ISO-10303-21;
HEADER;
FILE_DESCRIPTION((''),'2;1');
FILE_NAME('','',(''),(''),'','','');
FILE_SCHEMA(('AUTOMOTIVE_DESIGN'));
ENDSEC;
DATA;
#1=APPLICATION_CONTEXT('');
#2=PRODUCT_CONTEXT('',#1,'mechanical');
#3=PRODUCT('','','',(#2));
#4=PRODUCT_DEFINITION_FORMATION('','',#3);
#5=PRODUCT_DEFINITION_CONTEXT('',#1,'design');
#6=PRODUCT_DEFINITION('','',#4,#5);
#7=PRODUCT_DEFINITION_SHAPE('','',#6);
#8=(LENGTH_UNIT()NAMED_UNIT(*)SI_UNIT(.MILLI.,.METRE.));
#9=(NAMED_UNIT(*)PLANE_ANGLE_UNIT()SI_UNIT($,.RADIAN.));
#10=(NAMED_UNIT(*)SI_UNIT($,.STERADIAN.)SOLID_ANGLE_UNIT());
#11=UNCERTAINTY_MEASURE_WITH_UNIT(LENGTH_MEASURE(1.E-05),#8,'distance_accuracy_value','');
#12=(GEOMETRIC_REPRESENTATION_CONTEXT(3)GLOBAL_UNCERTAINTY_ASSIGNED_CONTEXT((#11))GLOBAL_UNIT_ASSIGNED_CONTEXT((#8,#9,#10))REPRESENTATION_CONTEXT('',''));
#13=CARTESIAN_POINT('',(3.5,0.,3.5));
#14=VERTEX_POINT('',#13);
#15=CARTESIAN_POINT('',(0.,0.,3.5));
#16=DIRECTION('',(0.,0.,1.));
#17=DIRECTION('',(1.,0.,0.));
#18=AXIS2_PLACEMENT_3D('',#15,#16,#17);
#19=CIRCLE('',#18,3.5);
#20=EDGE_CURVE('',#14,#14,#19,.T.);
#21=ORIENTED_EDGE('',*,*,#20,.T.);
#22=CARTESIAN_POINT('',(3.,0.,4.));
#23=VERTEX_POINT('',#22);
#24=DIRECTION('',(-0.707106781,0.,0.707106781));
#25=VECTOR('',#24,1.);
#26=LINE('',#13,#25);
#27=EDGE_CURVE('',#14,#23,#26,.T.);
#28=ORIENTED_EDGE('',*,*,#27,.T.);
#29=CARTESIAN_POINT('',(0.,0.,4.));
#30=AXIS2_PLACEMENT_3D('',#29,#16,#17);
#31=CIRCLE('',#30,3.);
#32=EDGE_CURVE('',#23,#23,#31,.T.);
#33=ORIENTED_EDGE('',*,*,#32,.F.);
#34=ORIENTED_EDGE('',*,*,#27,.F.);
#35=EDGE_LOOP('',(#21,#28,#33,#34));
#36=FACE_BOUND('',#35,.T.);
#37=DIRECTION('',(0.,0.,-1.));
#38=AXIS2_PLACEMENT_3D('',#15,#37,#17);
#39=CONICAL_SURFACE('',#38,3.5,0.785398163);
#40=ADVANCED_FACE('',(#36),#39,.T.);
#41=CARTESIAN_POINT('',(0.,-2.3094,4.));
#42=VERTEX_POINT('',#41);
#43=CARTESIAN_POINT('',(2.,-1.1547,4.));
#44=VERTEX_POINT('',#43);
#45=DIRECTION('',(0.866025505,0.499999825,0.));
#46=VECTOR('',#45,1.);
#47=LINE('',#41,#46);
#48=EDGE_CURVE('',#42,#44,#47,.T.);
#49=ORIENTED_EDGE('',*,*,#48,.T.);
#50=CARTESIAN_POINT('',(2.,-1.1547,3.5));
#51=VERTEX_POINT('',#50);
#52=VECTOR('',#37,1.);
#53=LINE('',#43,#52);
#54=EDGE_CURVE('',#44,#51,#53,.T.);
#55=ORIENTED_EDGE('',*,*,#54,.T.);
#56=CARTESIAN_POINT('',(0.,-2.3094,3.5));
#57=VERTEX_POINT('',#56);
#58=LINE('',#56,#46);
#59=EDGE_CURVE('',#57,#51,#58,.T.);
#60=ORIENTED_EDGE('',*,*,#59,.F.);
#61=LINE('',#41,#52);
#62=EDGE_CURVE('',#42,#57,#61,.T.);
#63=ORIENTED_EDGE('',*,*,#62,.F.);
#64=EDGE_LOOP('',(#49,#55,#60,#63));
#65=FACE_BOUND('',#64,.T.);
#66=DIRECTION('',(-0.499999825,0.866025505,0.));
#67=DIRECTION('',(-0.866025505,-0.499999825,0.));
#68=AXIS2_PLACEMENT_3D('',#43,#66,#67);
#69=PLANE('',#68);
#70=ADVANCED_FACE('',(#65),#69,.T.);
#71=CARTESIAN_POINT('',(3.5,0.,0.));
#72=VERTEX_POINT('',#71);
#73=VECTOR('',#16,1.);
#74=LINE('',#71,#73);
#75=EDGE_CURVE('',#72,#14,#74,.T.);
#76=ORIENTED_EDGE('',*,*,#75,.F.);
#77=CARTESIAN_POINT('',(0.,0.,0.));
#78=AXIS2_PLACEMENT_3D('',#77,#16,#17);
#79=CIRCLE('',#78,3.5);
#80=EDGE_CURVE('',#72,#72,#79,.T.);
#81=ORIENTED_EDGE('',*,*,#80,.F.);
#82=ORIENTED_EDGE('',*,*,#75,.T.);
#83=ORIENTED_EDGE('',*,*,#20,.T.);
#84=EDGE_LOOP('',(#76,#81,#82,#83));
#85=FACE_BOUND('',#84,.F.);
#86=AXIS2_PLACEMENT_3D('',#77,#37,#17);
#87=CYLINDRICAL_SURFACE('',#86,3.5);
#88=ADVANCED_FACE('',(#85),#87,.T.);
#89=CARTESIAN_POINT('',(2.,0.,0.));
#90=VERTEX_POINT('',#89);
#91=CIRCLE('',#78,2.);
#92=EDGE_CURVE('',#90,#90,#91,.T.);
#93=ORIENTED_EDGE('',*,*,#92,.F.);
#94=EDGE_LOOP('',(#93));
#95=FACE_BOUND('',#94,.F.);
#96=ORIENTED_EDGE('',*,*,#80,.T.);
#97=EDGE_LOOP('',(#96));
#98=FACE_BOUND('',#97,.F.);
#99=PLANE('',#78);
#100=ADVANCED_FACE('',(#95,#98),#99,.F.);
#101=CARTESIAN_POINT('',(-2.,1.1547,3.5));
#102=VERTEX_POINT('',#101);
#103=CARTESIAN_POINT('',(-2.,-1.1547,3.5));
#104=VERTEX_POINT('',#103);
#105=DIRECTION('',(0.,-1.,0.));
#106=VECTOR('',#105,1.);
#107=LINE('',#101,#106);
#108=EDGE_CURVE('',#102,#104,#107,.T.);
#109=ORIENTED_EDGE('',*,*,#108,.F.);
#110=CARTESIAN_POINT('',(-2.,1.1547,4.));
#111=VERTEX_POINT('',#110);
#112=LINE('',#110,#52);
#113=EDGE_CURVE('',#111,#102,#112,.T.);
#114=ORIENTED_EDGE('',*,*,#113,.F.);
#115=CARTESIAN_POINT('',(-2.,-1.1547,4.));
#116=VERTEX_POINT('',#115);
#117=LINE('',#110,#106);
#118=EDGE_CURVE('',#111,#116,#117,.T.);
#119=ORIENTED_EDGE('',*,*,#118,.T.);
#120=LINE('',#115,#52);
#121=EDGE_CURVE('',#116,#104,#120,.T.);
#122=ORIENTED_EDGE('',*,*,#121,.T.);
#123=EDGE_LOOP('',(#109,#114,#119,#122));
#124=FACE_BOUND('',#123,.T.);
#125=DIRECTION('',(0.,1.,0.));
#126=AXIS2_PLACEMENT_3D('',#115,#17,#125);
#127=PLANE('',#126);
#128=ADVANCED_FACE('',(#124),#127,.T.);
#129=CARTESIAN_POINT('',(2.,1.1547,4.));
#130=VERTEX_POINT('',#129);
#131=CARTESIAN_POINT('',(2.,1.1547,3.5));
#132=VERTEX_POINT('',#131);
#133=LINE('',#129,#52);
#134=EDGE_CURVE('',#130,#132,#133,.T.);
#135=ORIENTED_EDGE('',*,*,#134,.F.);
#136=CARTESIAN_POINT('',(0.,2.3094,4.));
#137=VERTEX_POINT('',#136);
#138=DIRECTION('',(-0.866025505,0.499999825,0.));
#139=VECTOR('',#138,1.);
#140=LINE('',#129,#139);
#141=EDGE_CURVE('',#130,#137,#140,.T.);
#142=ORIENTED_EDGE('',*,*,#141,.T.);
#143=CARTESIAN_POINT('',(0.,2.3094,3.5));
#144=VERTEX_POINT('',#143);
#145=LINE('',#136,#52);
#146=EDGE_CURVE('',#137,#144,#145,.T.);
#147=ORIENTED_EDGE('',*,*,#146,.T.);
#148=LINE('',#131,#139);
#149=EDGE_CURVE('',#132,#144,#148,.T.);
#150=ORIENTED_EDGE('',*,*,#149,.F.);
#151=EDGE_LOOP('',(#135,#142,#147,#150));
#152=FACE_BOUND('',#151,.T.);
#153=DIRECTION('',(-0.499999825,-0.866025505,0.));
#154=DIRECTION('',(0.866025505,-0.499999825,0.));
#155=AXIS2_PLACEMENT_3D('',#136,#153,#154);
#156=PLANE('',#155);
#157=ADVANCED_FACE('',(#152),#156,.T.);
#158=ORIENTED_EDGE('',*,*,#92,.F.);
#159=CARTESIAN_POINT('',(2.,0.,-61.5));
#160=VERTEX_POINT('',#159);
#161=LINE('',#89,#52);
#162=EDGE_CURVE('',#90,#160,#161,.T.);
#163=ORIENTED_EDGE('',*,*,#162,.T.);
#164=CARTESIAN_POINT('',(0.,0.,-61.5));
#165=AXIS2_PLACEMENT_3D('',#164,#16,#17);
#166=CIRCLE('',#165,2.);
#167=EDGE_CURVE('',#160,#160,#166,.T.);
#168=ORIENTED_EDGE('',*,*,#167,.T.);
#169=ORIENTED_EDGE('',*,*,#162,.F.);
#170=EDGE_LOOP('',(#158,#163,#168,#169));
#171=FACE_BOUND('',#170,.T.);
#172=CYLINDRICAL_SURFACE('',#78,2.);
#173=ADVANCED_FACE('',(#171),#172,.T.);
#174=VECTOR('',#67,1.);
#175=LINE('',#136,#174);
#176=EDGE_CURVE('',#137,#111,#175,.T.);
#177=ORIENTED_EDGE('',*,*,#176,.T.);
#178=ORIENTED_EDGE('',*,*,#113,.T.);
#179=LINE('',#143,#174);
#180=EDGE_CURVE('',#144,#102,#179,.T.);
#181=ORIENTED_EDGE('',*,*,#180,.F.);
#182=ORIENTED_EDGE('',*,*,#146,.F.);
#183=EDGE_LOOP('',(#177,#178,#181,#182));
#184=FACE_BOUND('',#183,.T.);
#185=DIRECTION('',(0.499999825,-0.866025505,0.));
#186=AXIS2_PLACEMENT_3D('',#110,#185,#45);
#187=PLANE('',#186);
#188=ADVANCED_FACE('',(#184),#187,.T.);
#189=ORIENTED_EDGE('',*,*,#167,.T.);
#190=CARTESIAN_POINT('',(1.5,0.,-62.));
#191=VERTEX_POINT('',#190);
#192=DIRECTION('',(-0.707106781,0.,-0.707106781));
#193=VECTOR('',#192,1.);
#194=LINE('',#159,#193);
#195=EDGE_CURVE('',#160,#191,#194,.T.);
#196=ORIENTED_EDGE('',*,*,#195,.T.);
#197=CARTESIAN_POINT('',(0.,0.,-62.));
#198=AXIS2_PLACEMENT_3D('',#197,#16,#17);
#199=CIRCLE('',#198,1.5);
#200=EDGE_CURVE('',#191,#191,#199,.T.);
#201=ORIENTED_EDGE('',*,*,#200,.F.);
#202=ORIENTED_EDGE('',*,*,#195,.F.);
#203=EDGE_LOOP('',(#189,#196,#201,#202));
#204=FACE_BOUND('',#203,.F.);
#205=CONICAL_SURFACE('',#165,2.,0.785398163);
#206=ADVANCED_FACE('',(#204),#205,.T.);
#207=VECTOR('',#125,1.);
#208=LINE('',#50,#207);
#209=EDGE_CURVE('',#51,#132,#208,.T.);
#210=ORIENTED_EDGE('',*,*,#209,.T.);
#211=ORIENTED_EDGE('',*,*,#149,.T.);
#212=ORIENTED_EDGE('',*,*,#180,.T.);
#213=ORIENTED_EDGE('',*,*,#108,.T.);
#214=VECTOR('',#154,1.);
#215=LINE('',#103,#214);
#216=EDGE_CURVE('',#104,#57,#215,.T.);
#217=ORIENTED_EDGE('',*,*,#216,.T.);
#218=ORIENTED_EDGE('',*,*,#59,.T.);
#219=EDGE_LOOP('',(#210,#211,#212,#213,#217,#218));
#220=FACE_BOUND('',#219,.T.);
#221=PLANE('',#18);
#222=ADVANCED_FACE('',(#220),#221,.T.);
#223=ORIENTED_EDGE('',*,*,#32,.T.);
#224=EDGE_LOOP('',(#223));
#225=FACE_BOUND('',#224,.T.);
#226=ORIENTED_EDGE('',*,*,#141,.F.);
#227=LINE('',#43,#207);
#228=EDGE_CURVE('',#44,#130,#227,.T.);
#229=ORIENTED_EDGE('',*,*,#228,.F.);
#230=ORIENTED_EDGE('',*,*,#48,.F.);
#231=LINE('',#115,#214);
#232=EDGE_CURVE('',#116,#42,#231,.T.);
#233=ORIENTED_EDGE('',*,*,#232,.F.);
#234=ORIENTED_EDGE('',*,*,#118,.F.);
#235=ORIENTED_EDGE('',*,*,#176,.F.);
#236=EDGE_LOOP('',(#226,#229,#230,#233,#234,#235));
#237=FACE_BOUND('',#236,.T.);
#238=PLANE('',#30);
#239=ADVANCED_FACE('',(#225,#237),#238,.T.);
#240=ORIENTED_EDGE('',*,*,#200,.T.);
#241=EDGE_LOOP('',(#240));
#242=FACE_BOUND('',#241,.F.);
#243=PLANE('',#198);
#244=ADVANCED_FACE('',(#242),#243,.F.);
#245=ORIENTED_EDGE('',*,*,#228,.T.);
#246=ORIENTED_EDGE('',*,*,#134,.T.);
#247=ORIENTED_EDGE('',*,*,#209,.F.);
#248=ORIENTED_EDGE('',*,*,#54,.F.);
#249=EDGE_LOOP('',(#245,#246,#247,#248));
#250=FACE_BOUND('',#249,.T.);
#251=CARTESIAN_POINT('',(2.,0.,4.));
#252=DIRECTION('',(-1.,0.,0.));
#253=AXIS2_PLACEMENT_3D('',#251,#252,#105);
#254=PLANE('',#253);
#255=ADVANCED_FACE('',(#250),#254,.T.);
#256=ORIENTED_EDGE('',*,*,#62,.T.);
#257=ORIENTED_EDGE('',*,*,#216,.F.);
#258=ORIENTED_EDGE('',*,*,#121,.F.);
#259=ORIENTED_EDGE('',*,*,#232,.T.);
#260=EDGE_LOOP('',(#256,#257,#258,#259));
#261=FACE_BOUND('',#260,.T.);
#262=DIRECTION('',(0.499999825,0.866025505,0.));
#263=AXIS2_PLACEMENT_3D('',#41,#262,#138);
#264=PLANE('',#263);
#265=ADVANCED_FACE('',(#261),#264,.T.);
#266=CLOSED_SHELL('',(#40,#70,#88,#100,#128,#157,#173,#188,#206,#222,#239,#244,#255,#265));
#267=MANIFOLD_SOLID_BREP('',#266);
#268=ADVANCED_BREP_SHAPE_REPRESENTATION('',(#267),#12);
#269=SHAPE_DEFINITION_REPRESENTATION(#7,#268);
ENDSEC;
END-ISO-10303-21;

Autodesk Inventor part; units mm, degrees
ref_plane "YZ Plane" through (0, 0, 0) normal (1, 0, 0) x (0, 1, 0)
ref_plane "XZ Plane" through (0, 0, 0) normal (0, 1, 0) x (-1, 0, 0)
ref_plane "XY Plane" through (0, 0, 0) normal (0, 0, 1) x (1, 0, 0)
sketch "Sketch1" plane through (0, 0, 0) normal (0, 0, 1) x (1, 0, 0)
  circle A0 centre (0, 0) radius 3.5
  dimension "d0" = 7
extrude "Extrusion1" add sketch "Sketch1" along normal blind 4
sketch "Sketch2" plane through (0, 0, 0) normal (0, 0, 1) x (1, 0, 0)
  circle A0 centre (0, 0) radius 2
  dimension "d3" = 4
extrude "Extrusion2" add sketch "Sketch2" against normal blind 62
chamfer "Chamfer1" distance 0.5 angle 45 2 edges at (-3.5, 0, 4) (-2, 0, -62)
sketch "Sketch3" plane through (0, 0, 4) normal (0, 0, 1) x (1, 0, 0)
  circle A0 centre (0, 0) radius 2 projected
  line L0 (-2, 1.1547) -> (0, 2.3094)
  line L1 (0, 2.3094) -> (2, 1.1547)
  line L2 (2, 1.1547) -> (2, -1.1547)
  line L3 (2, -1.1547) -> (0, -2.3094)
  line L4 (0, -2.3094) -> (-2, -1.1547)
  line L5 (-2, -1.1547) -> (-2, 1.1547)
  point P0 (-2, 0)
extrude "Extrusion3" cut sketch "Sketch3" against normal blind 0.5
properties part number "bolt"
